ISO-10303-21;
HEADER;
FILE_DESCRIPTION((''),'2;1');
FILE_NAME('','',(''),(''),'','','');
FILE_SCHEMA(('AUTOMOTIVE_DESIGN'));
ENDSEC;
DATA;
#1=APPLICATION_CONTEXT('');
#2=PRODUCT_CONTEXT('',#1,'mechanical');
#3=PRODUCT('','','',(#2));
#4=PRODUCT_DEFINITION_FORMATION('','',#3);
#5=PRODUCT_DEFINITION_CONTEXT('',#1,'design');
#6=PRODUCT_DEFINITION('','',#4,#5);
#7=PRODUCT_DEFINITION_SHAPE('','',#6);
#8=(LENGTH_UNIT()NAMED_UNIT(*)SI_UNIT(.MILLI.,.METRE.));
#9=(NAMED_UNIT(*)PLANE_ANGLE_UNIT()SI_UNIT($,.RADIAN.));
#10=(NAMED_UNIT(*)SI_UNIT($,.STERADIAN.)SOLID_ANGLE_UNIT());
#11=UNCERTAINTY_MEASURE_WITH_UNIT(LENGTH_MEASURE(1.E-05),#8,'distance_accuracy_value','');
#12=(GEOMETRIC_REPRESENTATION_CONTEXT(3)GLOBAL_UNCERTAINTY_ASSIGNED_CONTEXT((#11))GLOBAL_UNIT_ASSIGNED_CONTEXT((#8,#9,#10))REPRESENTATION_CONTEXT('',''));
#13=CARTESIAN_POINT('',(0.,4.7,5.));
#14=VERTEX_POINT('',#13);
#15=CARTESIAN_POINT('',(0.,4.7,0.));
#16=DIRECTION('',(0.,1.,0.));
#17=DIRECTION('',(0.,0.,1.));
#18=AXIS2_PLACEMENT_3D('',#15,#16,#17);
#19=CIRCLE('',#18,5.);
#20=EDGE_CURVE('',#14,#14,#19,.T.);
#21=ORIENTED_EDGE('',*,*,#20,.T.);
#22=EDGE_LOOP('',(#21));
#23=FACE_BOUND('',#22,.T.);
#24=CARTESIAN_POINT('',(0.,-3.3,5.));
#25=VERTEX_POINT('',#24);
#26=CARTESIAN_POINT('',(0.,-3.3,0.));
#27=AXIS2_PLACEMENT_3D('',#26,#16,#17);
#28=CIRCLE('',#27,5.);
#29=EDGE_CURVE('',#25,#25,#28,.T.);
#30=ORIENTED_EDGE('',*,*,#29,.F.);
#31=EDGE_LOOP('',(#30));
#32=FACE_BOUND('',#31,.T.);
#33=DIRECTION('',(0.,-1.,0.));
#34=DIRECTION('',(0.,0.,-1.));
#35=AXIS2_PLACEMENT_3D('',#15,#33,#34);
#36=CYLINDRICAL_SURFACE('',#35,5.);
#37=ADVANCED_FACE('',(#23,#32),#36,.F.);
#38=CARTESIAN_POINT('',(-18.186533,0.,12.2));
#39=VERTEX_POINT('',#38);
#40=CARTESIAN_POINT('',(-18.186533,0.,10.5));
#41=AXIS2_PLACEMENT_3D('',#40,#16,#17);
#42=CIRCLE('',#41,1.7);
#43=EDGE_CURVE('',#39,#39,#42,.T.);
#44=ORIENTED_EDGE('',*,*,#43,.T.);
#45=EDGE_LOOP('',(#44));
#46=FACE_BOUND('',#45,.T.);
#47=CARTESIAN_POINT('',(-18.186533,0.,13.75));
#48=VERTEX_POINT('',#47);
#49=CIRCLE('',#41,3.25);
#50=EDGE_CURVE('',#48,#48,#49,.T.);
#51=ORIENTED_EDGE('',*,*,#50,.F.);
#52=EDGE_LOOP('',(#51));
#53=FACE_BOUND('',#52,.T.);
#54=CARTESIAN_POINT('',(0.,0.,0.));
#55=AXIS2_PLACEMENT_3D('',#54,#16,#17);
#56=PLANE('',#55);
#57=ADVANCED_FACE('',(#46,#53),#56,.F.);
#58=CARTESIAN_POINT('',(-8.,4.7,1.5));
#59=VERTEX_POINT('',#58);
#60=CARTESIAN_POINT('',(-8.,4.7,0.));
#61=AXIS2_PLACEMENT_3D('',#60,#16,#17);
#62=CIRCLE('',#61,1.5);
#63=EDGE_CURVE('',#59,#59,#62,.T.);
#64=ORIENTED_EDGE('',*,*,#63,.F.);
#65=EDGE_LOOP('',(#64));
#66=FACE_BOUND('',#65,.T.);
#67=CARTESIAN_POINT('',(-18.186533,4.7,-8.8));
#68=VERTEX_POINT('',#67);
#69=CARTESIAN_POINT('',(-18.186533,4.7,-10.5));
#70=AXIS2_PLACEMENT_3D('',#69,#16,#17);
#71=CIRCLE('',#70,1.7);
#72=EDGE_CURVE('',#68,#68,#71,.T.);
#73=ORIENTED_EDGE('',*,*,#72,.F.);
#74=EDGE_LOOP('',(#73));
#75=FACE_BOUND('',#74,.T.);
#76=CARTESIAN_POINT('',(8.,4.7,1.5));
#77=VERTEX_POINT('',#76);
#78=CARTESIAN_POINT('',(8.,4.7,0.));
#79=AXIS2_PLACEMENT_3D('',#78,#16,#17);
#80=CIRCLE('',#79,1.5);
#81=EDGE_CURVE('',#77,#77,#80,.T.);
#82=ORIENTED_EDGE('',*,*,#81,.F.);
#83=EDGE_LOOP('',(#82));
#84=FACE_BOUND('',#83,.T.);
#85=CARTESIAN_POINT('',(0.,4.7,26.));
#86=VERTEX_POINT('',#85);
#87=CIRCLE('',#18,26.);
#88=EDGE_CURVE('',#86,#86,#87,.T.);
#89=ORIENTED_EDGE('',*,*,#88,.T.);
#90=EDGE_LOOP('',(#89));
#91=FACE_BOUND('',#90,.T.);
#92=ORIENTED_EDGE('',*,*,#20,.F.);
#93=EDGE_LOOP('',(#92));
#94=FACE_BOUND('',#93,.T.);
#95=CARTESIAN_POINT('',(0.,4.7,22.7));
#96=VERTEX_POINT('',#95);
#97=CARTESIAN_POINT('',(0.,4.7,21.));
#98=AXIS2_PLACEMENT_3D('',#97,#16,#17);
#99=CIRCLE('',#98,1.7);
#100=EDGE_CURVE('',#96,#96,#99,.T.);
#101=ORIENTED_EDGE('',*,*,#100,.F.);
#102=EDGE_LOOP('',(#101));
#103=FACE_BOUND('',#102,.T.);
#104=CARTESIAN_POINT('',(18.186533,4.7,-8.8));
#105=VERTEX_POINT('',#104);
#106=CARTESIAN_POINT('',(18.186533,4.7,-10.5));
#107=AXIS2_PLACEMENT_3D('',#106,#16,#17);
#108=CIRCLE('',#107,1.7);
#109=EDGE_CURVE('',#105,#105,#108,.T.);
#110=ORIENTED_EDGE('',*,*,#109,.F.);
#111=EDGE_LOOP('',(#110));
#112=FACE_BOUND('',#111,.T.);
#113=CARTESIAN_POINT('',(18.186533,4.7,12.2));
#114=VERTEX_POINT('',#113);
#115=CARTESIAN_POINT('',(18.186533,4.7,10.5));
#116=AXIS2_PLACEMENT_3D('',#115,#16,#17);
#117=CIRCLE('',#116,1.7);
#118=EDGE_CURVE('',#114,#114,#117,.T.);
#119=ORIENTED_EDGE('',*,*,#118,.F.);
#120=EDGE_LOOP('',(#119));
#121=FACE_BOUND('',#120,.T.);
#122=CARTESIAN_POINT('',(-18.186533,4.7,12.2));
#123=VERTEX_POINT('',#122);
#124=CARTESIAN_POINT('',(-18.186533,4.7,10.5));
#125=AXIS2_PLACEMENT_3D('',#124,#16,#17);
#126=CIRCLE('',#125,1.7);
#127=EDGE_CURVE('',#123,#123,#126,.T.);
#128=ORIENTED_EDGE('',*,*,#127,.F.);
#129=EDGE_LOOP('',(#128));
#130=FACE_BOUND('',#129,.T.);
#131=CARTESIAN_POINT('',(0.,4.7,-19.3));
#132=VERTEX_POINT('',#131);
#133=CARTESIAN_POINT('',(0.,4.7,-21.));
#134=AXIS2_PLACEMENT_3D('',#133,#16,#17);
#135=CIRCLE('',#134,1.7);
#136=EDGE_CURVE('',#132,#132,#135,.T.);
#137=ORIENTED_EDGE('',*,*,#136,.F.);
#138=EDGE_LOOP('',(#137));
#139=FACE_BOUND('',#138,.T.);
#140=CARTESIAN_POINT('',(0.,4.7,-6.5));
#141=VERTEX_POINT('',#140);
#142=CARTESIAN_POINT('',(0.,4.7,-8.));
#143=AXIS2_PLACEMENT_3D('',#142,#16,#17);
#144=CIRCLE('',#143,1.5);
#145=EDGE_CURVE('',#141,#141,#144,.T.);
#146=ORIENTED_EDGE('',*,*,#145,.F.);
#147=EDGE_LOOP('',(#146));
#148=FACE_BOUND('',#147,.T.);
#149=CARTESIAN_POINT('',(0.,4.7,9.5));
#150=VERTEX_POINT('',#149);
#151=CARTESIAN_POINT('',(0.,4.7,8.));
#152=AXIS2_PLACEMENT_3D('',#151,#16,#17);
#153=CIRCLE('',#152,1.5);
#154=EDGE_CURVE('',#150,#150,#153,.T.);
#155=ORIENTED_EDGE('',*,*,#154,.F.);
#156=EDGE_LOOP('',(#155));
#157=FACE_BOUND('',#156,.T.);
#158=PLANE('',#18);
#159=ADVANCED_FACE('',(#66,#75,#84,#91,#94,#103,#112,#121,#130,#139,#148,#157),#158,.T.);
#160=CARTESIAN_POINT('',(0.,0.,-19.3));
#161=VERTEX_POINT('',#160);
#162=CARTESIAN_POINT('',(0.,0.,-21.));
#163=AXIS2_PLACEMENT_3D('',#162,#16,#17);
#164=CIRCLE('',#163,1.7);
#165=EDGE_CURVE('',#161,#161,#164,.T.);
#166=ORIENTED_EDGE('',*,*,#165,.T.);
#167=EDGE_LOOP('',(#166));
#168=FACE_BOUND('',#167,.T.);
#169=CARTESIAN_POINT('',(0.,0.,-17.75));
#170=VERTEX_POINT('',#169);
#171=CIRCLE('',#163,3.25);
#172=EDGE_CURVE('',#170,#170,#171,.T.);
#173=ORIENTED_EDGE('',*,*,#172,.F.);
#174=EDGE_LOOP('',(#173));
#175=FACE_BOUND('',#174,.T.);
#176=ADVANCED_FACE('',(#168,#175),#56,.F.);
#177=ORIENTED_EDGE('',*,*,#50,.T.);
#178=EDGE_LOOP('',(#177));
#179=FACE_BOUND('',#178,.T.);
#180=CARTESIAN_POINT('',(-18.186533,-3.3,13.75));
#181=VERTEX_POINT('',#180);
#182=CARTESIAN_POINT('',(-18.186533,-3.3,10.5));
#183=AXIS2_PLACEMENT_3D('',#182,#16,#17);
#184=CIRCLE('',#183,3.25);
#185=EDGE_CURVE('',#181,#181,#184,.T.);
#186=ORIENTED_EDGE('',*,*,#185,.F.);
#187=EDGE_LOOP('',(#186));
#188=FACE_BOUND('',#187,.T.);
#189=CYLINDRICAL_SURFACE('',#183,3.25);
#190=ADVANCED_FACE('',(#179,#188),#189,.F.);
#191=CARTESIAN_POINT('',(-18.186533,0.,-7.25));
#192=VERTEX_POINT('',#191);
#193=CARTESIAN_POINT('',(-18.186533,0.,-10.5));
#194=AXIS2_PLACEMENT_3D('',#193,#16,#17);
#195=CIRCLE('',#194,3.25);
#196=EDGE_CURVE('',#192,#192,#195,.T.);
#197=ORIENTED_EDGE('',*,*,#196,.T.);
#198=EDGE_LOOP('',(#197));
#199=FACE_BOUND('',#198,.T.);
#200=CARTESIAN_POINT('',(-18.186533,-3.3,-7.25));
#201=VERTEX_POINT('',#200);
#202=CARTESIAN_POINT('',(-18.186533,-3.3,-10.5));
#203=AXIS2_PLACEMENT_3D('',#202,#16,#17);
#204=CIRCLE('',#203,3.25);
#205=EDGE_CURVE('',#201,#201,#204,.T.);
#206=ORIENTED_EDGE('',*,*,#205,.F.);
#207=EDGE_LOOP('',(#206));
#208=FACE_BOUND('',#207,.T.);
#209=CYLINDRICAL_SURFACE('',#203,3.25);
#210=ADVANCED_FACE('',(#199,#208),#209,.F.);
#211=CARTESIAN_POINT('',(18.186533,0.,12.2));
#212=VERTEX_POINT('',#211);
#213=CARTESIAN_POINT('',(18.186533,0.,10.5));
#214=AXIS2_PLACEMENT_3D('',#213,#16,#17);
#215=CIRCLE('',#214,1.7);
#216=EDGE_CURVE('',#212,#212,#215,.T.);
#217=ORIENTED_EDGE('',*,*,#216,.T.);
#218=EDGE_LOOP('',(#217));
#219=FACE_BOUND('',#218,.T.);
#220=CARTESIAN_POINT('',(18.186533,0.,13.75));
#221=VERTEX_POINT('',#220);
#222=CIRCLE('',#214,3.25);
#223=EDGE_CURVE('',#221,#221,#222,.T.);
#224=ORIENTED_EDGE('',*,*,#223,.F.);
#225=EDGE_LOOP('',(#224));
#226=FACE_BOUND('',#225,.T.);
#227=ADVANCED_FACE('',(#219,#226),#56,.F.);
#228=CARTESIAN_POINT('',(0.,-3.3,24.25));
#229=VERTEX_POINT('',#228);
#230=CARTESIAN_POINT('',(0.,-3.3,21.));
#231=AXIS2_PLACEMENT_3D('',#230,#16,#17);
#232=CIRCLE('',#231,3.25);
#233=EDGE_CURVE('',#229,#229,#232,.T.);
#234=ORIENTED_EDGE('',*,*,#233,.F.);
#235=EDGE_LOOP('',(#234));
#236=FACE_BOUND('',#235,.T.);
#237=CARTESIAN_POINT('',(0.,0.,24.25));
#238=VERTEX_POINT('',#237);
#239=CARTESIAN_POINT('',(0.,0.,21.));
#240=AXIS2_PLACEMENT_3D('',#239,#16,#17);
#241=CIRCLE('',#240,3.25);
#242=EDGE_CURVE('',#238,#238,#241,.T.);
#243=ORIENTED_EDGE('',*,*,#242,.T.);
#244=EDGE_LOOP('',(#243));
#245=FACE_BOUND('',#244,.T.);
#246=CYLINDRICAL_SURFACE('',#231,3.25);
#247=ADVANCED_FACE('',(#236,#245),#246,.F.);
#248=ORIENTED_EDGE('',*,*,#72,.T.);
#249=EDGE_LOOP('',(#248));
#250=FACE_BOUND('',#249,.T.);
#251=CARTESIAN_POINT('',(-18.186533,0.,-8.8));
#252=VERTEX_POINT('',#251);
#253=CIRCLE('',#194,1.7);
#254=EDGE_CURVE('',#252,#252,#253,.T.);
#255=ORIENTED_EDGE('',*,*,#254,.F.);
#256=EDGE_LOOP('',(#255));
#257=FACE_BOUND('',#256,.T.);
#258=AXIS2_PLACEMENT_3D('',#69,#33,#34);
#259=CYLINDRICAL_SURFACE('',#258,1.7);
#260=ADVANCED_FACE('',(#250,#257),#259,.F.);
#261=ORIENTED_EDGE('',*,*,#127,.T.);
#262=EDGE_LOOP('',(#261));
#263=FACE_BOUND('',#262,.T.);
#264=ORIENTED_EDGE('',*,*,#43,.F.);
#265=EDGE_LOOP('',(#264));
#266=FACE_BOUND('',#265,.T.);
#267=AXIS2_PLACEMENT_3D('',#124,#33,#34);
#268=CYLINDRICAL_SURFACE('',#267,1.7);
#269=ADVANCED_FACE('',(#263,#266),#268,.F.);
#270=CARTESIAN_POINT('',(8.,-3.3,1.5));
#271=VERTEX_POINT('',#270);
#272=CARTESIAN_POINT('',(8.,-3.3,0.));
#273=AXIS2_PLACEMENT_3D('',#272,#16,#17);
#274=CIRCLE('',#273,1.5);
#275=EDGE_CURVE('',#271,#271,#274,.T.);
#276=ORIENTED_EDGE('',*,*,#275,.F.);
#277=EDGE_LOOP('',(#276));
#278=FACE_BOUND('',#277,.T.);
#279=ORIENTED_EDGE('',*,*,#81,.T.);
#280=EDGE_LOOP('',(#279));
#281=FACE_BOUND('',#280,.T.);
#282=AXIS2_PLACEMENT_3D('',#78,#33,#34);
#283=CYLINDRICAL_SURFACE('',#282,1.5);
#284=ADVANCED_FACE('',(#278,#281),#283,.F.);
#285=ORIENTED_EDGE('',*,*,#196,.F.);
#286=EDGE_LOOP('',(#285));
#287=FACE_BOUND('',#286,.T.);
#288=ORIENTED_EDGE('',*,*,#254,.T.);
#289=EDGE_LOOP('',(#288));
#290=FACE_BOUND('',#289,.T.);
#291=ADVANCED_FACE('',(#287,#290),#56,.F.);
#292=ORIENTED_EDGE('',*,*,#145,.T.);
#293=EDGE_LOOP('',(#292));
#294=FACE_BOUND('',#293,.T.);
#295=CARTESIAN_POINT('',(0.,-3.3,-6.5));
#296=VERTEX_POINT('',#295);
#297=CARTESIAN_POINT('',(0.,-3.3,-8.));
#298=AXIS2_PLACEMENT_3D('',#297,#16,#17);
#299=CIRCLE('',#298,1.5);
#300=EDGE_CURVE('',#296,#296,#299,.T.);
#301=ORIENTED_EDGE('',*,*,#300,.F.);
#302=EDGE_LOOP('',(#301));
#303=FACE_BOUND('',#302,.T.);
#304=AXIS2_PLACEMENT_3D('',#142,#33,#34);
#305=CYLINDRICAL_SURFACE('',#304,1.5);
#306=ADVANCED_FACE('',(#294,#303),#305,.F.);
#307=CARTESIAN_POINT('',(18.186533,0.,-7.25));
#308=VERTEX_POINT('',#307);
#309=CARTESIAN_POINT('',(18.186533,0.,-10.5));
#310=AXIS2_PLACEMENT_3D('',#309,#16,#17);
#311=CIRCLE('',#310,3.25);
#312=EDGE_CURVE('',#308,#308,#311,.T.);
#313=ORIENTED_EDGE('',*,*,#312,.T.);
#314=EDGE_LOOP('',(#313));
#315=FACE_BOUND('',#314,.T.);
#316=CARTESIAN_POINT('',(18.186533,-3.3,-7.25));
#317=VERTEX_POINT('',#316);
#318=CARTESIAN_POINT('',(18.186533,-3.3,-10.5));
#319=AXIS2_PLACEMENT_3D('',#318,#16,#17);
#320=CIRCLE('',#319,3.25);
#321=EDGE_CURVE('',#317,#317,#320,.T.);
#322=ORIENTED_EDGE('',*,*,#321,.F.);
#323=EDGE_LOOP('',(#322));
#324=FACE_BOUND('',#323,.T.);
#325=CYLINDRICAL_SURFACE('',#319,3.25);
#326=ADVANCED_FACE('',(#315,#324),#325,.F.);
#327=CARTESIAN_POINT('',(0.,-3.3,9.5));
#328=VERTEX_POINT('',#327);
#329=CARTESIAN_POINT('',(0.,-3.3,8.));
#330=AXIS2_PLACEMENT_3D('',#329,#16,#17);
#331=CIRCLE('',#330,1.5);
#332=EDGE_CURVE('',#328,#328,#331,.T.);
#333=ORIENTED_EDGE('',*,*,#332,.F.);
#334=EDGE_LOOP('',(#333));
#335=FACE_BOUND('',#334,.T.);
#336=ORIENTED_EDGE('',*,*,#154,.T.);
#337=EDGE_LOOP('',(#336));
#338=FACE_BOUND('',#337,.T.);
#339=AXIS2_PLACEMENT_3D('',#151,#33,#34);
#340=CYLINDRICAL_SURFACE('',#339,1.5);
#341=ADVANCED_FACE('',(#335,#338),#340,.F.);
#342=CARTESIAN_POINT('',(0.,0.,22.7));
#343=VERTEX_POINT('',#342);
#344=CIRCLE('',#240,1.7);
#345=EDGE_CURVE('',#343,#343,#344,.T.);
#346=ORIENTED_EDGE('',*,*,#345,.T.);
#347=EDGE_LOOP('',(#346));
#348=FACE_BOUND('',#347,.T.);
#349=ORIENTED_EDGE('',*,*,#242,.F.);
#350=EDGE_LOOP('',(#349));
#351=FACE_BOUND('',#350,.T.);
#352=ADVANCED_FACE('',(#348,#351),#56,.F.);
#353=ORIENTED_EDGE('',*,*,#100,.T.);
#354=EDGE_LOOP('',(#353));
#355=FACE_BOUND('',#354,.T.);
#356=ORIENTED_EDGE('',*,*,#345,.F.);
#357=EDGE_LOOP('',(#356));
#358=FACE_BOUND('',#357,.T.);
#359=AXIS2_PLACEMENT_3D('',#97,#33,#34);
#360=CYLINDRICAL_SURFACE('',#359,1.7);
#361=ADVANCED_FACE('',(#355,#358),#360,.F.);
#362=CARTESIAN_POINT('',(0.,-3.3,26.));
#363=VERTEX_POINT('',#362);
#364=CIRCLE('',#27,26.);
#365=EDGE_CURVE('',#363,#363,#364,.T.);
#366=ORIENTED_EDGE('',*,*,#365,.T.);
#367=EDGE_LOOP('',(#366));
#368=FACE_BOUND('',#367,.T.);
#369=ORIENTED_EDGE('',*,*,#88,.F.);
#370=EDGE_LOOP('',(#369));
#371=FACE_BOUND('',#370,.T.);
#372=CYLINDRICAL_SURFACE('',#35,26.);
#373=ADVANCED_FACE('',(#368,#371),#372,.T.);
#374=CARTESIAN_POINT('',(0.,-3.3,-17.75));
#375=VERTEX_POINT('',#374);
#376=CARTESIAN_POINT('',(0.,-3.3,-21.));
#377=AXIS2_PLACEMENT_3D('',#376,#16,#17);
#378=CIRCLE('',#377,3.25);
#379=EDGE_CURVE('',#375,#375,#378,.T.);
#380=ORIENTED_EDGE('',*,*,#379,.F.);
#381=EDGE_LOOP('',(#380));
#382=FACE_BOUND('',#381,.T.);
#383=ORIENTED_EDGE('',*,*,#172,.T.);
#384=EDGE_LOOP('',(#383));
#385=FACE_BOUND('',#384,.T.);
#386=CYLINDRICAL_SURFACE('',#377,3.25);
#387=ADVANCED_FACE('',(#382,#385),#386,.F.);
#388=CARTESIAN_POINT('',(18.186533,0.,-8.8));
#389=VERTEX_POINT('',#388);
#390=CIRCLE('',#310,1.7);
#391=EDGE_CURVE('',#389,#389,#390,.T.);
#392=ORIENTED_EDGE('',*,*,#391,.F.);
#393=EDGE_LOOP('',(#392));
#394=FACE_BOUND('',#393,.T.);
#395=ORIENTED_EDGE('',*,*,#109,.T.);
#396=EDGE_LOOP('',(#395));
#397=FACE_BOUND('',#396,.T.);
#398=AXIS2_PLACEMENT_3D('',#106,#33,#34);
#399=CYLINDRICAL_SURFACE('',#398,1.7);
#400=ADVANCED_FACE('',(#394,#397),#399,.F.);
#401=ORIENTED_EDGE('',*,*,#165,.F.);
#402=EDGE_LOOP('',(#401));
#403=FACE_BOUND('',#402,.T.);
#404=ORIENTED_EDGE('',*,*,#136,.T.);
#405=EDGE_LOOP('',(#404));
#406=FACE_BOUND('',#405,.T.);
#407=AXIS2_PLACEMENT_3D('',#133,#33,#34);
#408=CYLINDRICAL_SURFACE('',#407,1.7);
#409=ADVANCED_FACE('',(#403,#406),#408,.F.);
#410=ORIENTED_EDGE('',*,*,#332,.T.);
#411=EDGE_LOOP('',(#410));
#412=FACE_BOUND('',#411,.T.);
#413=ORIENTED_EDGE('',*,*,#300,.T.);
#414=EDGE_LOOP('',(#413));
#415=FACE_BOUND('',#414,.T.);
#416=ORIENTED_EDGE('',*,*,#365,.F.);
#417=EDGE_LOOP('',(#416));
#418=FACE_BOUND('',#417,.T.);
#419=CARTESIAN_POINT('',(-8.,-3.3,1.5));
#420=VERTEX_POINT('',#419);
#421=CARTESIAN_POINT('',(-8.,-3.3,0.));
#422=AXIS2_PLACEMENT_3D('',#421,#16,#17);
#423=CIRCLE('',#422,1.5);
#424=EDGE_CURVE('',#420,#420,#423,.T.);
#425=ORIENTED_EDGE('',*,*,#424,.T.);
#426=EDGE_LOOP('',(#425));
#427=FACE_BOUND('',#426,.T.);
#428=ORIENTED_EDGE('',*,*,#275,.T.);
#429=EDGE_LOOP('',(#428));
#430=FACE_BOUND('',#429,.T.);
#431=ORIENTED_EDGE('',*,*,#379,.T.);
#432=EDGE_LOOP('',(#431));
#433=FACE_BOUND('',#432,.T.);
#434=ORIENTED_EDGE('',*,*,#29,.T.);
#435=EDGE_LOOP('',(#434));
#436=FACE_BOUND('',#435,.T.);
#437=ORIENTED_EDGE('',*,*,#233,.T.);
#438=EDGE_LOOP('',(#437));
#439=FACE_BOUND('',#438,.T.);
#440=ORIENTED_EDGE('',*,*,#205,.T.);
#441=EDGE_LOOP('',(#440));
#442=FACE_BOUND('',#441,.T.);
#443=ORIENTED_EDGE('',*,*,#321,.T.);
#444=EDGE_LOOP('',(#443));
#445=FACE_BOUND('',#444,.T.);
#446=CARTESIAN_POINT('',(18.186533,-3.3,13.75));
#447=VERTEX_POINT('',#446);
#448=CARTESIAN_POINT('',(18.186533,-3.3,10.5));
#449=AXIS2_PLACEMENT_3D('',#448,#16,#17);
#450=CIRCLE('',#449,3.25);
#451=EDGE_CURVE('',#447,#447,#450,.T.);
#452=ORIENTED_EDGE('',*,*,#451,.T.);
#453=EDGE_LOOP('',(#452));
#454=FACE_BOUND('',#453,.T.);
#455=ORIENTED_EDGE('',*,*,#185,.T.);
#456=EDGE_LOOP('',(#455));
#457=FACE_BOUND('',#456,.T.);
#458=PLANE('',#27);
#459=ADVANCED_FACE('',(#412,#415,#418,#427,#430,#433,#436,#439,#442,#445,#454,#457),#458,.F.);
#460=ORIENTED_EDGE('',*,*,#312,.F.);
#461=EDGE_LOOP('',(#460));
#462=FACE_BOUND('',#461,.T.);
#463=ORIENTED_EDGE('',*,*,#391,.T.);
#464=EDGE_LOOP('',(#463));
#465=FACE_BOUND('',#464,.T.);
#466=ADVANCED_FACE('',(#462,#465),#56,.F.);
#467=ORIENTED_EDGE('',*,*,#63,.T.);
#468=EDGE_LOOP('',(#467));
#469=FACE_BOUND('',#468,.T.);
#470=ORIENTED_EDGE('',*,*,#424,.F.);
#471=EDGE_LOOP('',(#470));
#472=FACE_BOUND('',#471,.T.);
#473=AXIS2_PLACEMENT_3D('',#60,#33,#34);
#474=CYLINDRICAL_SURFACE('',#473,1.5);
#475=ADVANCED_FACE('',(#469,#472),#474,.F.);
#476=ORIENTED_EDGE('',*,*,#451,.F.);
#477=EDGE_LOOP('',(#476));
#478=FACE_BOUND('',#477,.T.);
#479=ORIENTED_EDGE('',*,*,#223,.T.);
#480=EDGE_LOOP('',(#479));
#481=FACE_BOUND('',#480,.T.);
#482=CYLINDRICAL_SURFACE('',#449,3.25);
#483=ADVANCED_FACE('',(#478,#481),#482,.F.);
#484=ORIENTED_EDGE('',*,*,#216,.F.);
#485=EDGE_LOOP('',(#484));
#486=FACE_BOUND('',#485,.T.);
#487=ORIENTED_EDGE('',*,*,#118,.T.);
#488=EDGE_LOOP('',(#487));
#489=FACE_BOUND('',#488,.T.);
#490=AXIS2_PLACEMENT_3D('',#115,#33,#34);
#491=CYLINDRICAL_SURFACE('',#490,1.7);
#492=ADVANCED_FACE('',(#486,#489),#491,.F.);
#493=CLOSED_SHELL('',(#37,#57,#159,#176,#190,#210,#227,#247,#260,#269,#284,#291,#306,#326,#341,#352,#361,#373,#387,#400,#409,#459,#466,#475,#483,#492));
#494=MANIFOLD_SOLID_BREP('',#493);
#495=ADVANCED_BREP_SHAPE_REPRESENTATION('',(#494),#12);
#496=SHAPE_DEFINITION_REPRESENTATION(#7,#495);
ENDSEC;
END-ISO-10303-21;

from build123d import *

# Parameters (mm, degrees)
SKETCH1_R           = 26
SKETCH1_R_2         = 1.5
SKETCH1_R_3         = 5
SKETCH1_R_4         = 1.7
BOSS_EXTRUDE1_DEPTH = 4.7
BOSS_EXTRUDE2_START = -3.3
SKETCH1_3_R         = 26
SKETCH1_3_R_2       = 3.25
SKETCH1_3_R_3       = 1.5
SKETCH1_3_R_4       = 5
BOSS_EXTRUDE2_DEPTH = 3.3


with BuildPart() as part:
    # Sketch1 → Boss-Extrude1 (new body)
    with BuildSketch(Plane(origin=(0, 0, 0), x_dir=(1, 0, 0), z_dir=(0, 1, 0))):
        Circle(SKETCH1_R)
        with Locations((0, -8)):
            Circle(SKETCH1_R_2, mode=Mode.SUBTRACT)
        with Locations((8, 0)):
            Circle(SKETCH1_R_2, mode=Mode.SUBTRACT)
        with Locations((-8, 0)):
            Circle(SKETCH1_R_2, mode=Mode.SUBTRACT)
        Circle(SKETCH1_R_3, mode=Mode.SUBTRACT)
        with Locations((0, 8)):
            Circle(SKETCH1_R_2, mode=Mode.SUBTRACT)
        with Locations((0, -21)):
            Circle(SKETCH1_R_4, mode=Mode.SUBTRACT)
        with Locations((-18.186533479, -10.5)):
            Circle(SKETCH1_R_4, mode=Mode.SUBTRACT)
        with Locations((18.186533479, -10.5)):
            Circle(SKETCH1_R_4, mode=Mode.SUBTRACT)
        with Locations((-18.186533479, 10.5)):
            Circle(SKETCH1_R_4, mode=Mode.SUBTRACT)
        with Locations((18.186533479, 10.5)):
            Circle(SKETCH1_R_4, mode=Mode.SUBTRACT)
        with Locations((0, 21)):
            Circle(SKETCH1_R_4, mode=Mode.SUBTRACT)
    extrude(amount=BOSS_EXTRUDE1_DEPTH)

    # Sketch1<3> → Boss-Extrude2 (add)
    with BuildSketch(Plane(origin=(0, 0, 0), x_dir=(1, 0, 0), z_dir=(0, 1, 0)).offset(BOSS_EXTRUDE2_START)):
        Circle(SKETCH1_3_R)
        with Locations((0, -21)):
            Circle(SKETCH1_3_R_2, mode=Mode.SUBTRACT)
        with Locations((-18.186533479, -10.5)):
            Circle(SKETCH1_3_R_2, mode=Mode.SUBTRACT)
        with Locations((0, -8)):
            Circle(SKETCH1_3_R_3, mode=Mode.SUBTRACT)
        with Locations((8, 0)):
            Circle(SKETCH1_3_R_3, mode=Mode.SUBTRACT)
        with Locations((18.186533479, -10.5)):
            Circle(SKETCH1_3_R_2, mode=Mode.SUBTRACT)
        with Locations((-18.186533479, 10.5)):
            Circle(SKETCH1_3_R_2, mode=Mode.SUBTRACT)
        with Locations((-8, 0)):
            Circle(SKETCH1_3_R_3, mode=Mode.SUBTRACT)
        Circle(SKETCH1_3_R_4, mode=Mode.SUBTRACT)
        with Locations((0, 8)):
            Circle(SKETCH1_3_R_3, mode=Mode.SUBTRACT)
        with Locations((18.186533479, 10.5)):
            Circle(SKETCH1_3_R_2, mode=Mode.SUBTRACT)
        with Locations((0, 21)):
            Circle(SKETCH1_3_R_2, mode=Mode.SUBTRACT)
    extrude(amount=BOSS_EXTRUDE2_DEPTH)


solid = part.part
